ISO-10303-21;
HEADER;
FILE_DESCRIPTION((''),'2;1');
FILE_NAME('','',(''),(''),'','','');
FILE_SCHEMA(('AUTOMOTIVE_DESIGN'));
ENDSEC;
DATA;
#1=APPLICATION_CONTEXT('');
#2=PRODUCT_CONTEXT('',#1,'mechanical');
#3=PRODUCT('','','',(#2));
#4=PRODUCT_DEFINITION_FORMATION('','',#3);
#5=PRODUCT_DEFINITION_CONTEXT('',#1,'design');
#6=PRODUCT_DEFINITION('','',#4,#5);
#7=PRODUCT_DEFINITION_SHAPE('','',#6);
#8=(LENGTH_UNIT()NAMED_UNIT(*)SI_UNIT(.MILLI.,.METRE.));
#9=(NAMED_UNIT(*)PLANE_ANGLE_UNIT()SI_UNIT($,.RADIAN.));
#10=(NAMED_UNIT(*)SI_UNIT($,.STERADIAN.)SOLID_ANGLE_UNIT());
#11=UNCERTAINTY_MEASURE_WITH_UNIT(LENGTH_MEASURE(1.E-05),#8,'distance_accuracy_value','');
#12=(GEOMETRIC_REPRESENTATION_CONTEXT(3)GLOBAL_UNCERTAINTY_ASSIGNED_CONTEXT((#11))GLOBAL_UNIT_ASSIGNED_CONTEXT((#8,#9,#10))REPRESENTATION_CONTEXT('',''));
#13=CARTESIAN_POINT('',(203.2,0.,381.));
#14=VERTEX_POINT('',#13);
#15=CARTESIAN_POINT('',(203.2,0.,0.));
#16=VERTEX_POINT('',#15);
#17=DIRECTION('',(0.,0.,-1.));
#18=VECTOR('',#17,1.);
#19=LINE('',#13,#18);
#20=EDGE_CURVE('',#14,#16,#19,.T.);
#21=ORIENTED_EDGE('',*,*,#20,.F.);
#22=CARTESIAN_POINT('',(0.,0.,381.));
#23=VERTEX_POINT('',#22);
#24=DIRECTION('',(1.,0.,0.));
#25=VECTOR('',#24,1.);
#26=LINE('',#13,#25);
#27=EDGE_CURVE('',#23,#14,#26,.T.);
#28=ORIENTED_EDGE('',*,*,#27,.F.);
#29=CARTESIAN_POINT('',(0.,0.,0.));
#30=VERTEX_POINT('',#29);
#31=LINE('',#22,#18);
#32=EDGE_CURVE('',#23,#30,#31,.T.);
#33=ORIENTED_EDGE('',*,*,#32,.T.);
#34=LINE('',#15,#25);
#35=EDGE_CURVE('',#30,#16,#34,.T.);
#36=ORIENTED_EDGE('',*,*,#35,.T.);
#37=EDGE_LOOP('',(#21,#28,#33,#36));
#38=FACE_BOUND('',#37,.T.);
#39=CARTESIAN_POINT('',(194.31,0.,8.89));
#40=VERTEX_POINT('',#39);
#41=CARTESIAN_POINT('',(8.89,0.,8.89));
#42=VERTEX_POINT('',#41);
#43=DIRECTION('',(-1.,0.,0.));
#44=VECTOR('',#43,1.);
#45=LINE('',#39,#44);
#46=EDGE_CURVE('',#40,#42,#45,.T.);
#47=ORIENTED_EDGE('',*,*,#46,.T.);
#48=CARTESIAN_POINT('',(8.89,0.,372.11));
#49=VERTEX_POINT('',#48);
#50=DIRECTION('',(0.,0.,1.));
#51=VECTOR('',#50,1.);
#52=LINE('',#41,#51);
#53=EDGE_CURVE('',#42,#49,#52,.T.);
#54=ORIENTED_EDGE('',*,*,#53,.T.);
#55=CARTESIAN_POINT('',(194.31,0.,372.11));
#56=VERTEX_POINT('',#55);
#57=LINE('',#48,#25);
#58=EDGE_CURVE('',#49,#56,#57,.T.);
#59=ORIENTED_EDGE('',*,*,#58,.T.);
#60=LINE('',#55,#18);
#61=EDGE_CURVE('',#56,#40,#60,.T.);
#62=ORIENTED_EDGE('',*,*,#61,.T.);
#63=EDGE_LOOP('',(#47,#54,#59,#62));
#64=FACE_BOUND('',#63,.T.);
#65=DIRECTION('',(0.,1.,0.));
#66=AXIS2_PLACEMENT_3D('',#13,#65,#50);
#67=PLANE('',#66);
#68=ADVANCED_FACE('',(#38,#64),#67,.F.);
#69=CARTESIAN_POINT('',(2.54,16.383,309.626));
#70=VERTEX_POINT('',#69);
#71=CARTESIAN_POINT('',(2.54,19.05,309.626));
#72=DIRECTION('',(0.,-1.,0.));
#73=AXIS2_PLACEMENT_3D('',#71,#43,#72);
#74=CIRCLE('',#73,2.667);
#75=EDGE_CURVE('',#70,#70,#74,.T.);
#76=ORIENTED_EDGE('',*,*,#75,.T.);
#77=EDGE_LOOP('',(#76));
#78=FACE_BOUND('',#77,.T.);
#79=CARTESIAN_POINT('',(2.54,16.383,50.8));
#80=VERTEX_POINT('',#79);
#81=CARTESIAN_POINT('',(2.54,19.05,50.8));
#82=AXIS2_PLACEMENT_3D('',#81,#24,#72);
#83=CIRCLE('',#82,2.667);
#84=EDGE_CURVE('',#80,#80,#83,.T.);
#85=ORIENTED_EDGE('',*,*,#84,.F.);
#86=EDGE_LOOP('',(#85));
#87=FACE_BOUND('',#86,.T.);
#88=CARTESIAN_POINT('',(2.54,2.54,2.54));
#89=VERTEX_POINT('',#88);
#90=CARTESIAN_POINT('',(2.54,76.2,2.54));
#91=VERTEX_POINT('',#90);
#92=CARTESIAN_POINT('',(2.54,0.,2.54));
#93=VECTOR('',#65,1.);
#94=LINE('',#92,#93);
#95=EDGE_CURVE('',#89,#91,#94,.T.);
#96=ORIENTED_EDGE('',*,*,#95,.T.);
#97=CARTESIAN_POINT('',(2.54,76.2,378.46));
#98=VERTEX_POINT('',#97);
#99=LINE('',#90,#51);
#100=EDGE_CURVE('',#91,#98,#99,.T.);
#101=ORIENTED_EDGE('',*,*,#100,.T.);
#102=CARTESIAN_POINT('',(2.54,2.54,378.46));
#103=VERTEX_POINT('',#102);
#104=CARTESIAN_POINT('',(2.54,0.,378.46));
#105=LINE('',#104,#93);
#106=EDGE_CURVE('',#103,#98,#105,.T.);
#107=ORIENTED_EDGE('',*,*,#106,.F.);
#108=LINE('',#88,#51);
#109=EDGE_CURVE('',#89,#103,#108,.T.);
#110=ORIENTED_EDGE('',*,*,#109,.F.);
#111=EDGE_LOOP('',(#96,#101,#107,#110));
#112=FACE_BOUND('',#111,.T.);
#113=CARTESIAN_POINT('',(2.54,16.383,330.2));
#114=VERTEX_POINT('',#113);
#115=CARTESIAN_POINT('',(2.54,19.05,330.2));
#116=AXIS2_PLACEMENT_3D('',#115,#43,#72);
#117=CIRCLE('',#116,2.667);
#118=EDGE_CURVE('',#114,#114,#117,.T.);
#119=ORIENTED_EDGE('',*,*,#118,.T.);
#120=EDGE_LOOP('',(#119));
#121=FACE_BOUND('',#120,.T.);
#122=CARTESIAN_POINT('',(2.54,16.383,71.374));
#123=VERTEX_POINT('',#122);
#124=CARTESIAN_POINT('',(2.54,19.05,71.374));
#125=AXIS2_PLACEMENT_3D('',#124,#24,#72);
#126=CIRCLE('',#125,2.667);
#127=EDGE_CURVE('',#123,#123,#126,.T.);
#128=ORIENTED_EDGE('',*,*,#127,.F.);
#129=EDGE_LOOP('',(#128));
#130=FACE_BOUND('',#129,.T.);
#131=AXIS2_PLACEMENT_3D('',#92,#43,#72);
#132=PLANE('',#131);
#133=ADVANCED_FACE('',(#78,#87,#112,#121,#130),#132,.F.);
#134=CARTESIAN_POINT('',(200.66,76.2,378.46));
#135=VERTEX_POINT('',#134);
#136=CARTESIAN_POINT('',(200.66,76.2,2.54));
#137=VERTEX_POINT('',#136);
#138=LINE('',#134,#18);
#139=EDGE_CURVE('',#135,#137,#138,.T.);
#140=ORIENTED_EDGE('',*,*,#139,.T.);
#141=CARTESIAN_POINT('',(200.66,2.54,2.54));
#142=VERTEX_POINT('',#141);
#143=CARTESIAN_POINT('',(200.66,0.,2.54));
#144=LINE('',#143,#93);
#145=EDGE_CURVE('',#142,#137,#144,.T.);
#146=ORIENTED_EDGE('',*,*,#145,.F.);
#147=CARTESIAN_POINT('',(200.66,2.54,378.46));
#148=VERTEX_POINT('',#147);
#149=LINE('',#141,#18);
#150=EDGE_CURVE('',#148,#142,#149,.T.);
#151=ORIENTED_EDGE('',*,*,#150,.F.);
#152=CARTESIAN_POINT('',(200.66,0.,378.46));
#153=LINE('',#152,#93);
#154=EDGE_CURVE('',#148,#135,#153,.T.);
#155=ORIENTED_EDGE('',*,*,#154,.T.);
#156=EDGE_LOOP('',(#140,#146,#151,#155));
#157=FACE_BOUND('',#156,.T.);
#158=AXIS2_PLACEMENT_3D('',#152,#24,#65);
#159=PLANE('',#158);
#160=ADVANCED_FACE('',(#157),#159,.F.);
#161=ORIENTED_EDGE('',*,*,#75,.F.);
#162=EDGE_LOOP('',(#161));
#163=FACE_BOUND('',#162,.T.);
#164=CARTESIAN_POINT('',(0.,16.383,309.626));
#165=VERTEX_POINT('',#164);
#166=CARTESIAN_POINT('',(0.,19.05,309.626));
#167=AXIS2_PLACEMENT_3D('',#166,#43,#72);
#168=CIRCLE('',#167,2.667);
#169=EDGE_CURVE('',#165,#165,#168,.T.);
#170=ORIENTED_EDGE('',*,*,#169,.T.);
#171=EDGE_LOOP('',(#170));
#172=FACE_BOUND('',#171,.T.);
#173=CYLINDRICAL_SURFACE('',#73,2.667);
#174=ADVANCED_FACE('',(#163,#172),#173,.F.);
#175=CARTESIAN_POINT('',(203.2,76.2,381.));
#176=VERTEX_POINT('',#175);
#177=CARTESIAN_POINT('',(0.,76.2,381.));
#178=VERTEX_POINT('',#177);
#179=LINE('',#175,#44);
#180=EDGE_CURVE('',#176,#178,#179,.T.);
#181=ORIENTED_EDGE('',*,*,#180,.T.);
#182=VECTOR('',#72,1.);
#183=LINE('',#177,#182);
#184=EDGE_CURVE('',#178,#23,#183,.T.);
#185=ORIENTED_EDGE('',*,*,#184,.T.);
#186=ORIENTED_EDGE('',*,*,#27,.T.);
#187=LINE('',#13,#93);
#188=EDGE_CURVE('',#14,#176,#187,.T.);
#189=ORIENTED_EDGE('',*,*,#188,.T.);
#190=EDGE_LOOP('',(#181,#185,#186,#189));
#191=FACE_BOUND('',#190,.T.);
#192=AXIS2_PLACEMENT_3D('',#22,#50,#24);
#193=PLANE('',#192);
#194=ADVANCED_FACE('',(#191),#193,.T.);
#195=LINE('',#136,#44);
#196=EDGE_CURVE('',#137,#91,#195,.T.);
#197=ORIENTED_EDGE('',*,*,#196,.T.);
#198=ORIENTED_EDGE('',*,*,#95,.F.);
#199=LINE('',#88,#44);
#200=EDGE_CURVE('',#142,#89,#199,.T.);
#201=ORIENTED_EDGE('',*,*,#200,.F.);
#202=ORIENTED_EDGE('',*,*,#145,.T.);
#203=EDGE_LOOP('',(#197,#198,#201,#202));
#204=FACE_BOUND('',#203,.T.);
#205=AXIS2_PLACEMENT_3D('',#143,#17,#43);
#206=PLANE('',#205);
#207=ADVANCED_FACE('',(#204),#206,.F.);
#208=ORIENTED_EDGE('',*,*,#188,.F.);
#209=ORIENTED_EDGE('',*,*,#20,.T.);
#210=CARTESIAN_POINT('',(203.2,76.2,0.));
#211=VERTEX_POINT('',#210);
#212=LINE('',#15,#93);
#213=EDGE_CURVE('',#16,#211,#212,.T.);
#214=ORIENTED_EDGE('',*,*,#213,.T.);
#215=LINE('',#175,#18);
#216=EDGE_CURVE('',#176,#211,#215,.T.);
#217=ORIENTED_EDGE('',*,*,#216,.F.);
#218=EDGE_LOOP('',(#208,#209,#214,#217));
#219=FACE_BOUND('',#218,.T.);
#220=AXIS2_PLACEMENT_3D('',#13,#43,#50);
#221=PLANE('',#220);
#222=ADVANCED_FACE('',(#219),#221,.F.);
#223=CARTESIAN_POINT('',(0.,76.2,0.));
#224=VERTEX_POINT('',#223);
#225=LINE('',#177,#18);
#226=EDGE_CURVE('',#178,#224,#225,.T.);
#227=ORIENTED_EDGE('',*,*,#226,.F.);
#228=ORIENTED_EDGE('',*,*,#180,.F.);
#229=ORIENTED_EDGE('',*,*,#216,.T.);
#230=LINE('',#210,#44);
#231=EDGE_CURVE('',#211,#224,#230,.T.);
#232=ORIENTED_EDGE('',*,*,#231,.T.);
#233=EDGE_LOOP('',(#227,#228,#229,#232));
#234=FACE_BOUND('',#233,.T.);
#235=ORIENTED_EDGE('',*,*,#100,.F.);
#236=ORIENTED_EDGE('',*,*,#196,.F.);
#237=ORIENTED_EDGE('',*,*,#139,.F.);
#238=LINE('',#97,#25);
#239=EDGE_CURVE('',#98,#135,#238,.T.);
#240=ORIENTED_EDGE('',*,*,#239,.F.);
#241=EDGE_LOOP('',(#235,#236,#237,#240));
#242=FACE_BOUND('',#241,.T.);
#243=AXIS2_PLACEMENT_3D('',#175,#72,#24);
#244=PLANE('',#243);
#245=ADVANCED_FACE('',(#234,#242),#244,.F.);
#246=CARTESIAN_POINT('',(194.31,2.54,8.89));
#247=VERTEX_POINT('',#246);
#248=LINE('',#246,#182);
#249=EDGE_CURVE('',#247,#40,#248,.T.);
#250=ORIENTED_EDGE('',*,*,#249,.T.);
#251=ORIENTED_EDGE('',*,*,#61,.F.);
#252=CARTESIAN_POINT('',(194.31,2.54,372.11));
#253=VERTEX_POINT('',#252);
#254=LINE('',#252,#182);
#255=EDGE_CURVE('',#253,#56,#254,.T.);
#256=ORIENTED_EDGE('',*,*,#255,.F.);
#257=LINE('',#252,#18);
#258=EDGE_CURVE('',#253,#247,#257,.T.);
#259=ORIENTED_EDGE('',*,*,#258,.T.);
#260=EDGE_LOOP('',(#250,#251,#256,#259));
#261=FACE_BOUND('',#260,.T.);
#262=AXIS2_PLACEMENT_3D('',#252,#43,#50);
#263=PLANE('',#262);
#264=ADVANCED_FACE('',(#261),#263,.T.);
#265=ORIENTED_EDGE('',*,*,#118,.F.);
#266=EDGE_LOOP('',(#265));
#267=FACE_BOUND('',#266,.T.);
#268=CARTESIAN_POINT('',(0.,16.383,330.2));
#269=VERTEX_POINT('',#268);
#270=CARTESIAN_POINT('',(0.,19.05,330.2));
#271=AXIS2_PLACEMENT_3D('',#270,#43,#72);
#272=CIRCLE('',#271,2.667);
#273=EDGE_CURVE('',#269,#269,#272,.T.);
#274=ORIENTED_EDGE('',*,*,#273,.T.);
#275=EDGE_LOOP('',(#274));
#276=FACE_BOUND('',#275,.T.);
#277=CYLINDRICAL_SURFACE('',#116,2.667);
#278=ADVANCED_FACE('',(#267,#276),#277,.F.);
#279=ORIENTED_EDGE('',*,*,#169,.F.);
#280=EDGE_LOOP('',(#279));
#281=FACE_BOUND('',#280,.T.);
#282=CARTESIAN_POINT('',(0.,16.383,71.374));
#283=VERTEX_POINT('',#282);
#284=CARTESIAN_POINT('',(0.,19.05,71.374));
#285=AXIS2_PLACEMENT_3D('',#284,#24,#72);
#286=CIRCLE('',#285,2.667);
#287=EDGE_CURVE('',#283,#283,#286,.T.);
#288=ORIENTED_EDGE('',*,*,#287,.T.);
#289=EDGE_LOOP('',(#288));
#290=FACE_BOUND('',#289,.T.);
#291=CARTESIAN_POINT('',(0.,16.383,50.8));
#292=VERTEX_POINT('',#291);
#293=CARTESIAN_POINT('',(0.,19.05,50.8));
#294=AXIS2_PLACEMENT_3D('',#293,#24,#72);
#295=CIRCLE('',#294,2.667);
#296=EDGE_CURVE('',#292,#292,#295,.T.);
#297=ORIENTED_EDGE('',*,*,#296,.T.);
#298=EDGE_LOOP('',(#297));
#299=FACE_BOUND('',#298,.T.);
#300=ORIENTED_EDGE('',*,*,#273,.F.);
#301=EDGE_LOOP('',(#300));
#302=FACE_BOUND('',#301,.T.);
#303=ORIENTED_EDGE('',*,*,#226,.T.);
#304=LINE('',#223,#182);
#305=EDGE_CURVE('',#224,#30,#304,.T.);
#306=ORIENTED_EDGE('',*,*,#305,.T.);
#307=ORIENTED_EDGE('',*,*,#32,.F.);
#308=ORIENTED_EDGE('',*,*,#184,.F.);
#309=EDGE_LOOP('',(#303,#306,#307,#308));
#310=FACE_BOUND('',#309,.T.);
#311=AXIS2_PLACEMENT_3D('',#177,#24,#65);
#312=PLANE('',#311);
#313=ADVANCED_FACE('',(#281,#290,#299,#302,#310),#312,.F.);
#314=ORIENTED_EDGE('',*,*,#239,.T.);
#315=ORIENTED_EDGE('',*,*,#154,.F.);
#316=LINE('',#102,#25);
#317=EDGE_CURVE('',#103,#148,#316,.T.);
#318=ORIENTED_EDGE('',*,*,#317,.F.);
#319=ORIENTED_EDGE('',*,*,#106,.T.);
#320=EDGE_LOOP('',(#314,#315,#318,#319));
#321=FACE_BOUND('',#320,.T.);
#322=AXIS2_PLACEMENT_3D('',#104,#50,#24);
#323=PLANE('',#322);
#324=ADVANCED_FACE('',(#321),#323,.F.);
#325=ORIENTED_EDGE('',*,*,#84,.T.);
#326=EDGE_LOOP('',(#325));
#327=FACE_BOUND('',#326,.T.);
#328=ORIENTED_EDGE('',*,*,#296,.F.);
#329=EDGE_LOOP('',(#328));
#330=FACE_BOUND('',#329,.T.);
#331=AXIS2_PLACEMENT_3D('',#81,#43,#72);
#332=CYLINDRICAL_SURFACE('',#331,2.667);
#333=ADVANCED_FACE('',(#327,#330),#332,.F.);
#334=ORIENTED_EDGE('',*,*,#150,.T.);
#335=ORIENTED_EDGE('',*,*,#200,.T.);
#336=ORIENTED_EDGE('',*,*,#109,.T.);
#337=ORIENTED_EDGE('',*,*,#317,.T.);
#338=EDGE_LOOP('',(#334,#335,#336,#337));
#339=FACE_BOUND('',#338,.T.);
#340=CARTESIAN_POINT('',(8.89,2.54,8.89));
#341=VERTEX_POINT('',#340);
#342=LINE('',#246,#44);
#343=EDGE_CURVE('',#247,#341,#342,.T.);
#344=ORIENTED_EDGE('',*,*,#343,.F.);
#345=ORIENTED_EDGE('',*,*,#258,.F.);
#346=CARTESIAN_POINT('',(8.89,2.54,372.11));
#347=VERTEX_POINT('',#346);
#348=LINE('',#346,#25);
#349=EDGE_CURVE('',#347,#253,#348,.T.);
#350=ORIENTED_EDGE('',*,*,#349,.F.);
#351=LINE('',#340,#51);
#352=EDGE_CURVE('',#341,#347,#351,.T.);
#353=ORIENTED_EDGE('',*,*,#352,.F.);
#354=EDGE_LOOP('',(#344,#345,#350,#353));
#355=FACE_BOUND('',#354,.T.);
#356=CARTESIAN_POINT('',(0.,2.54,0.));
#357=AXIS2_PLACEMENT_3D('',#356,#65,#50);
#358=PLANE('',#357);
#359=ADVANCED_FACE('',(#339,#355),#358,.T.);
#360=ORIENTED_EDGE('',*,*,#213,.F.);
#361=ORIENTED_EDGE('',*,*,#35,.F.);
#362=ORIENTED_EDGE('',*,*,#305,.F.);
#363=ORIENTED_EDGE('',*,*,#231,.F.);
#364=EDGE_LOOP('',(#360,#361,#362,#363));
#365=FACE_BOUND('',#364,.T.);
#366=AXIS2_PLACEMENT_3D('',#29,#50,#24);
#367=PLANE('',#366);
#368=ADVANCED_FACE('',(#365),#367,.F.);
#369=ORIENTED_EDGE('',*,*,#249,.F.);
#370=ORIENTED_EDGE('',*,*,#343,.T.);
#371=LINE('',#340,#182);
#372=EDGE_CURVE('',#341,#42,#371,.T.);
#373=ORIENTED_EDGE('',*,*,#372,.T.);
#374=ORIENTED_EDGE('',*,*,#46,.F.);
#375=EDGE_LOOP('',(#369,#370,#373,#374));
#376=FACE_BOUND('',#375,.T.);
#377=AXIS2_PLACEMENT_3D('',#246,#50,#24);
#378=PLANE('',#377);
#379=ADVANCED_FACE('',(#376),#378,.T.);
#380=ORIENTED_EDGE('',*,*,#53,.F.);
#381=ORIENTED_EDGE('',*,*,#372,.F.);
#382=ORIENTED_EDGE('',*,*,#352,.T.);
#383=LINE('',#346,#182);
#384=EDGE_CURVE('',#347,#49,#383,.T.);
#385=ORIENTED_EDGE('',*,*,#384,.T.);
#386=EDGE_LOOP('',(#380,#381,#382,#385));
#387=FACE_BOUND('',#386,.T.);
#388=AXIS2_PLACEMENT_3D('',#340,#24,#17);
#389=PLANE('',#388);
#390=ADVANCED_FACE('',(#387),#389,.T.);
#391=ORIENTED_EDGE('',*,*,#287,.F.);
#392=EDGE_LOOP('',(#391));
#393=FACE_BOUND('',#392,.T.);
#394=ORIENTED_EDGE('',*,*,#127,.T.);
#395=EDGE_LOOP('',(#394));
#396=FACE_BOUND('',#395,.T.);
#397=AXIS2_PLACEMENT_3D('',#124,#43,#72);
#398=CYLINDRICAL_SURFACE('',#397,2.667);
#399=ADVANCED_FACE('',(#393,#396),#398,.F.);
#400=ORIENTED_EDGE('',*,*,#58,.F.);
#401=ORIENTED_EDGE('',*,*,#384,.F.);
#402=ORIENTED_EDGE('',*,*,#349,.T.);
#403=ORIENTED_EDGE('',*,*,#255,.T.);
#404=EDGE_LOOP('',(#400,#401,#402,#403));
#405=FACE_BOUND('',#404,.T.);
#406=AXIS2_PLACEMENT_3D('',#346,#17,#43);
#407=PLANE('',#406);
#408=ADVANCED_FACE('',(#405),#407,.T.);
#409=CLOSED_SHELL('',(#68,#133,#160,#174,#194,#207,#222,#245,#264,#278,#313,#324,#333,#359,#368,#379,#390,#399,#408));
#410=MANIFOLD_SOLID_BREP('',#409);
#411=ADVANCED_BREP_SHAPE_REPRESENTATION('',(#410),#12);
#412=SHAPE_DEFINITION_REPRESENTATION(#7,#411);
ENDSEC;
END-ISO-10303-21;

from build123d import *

# Parameters (mm, degrees)
SKETCH2_W           = 203.2
SKETCH2_H           = 76.2
BOSS_EXTRUDE1_DEPTH = 381
SKETCH3_W           = 198.12
SKETCH3_H           = 375.92
CUT_EXTRUDE1_DEPTH  = 439.471983141
SKETCH4_W           = 198.12
SKETCH4_H           = 375.92
SKETCH4_W_2         = 185.42
SKETCH4_H_2         = 363.22
BOSS_EXTRUDE2_DEPTH = 2.54
SKETCH5_R           = 2.667
CUT_EXTRUDE2_DEPTH  = 2.54


with BuildPart() as part:
    # Sketch2 → Boss-Extrude1 (new body)
    with BuildSketch(Plane.XY):
        with Locations((101.6, 38.1)):
            Rectangle(SKETCH2_W, SKETCH2_H)
    extrude(amount=BOSS_EXTRUDE1_DEPTH)

    # Sketch3 → Cut-Extrude1 (cut, through all)
    with BuildSketch(Plane(origin=(0, 76.2, 0), x_dir=(1, 0, 0), z_dir=(0, 1, 0))):
        with Locations((101.6, -190.5)):
            Rectangle(SKETCH3_W, SKETCH3_H)
    extrude(amount=-CUT_EXTRUDE1_DEPTH, mode=Mode.SUBTRACT)

    # Sketch4 → Boss-Extrude2 (add)
    with BuildSketch(Plane(origin=(0, 0, 0), x_dir=(1, 0, 0), z_dir=(0, 1, 0))):
        with Locations((101.6, -190.5)):
            Rectangle(SKETCH4_W, SKETCH4_H)
        with Locations((101.6, -190.5)):
            Rectangle(SKETCH4_W_2, SKETCH4_H_2, mode=Mode.SUBTRACT)
    extrude(amount=BOSS_EXTRUDE2_DEPTH)

    # Sketch5 → Cut-Extrude2 (cut)
    with BuildSketch(Plane.ZY):
        with Locations(Location((309.626, 19.05, 0), (0, 0, 270))):
            Circle(SKETCH5_R)
        with Locations(Location((330.2, 19.05, 0), (0, 0, 270))):
            Circle(SKETCH5_R)
    cut_extrude2 = extrude(amount=-CUT_EXTRUDE2_DEPTH, mode=Mode.SUBTRACT)

    # Mirror1: Cut-Extrude2 across plane
    add(cut_extrude2.mirror(Plane(origin=(0, 0, 190.5), x_dir=(1, 0, 0), z_dir=(0, 0, -1))), mode=Mode.SUBTRACT)


solid = part.part
